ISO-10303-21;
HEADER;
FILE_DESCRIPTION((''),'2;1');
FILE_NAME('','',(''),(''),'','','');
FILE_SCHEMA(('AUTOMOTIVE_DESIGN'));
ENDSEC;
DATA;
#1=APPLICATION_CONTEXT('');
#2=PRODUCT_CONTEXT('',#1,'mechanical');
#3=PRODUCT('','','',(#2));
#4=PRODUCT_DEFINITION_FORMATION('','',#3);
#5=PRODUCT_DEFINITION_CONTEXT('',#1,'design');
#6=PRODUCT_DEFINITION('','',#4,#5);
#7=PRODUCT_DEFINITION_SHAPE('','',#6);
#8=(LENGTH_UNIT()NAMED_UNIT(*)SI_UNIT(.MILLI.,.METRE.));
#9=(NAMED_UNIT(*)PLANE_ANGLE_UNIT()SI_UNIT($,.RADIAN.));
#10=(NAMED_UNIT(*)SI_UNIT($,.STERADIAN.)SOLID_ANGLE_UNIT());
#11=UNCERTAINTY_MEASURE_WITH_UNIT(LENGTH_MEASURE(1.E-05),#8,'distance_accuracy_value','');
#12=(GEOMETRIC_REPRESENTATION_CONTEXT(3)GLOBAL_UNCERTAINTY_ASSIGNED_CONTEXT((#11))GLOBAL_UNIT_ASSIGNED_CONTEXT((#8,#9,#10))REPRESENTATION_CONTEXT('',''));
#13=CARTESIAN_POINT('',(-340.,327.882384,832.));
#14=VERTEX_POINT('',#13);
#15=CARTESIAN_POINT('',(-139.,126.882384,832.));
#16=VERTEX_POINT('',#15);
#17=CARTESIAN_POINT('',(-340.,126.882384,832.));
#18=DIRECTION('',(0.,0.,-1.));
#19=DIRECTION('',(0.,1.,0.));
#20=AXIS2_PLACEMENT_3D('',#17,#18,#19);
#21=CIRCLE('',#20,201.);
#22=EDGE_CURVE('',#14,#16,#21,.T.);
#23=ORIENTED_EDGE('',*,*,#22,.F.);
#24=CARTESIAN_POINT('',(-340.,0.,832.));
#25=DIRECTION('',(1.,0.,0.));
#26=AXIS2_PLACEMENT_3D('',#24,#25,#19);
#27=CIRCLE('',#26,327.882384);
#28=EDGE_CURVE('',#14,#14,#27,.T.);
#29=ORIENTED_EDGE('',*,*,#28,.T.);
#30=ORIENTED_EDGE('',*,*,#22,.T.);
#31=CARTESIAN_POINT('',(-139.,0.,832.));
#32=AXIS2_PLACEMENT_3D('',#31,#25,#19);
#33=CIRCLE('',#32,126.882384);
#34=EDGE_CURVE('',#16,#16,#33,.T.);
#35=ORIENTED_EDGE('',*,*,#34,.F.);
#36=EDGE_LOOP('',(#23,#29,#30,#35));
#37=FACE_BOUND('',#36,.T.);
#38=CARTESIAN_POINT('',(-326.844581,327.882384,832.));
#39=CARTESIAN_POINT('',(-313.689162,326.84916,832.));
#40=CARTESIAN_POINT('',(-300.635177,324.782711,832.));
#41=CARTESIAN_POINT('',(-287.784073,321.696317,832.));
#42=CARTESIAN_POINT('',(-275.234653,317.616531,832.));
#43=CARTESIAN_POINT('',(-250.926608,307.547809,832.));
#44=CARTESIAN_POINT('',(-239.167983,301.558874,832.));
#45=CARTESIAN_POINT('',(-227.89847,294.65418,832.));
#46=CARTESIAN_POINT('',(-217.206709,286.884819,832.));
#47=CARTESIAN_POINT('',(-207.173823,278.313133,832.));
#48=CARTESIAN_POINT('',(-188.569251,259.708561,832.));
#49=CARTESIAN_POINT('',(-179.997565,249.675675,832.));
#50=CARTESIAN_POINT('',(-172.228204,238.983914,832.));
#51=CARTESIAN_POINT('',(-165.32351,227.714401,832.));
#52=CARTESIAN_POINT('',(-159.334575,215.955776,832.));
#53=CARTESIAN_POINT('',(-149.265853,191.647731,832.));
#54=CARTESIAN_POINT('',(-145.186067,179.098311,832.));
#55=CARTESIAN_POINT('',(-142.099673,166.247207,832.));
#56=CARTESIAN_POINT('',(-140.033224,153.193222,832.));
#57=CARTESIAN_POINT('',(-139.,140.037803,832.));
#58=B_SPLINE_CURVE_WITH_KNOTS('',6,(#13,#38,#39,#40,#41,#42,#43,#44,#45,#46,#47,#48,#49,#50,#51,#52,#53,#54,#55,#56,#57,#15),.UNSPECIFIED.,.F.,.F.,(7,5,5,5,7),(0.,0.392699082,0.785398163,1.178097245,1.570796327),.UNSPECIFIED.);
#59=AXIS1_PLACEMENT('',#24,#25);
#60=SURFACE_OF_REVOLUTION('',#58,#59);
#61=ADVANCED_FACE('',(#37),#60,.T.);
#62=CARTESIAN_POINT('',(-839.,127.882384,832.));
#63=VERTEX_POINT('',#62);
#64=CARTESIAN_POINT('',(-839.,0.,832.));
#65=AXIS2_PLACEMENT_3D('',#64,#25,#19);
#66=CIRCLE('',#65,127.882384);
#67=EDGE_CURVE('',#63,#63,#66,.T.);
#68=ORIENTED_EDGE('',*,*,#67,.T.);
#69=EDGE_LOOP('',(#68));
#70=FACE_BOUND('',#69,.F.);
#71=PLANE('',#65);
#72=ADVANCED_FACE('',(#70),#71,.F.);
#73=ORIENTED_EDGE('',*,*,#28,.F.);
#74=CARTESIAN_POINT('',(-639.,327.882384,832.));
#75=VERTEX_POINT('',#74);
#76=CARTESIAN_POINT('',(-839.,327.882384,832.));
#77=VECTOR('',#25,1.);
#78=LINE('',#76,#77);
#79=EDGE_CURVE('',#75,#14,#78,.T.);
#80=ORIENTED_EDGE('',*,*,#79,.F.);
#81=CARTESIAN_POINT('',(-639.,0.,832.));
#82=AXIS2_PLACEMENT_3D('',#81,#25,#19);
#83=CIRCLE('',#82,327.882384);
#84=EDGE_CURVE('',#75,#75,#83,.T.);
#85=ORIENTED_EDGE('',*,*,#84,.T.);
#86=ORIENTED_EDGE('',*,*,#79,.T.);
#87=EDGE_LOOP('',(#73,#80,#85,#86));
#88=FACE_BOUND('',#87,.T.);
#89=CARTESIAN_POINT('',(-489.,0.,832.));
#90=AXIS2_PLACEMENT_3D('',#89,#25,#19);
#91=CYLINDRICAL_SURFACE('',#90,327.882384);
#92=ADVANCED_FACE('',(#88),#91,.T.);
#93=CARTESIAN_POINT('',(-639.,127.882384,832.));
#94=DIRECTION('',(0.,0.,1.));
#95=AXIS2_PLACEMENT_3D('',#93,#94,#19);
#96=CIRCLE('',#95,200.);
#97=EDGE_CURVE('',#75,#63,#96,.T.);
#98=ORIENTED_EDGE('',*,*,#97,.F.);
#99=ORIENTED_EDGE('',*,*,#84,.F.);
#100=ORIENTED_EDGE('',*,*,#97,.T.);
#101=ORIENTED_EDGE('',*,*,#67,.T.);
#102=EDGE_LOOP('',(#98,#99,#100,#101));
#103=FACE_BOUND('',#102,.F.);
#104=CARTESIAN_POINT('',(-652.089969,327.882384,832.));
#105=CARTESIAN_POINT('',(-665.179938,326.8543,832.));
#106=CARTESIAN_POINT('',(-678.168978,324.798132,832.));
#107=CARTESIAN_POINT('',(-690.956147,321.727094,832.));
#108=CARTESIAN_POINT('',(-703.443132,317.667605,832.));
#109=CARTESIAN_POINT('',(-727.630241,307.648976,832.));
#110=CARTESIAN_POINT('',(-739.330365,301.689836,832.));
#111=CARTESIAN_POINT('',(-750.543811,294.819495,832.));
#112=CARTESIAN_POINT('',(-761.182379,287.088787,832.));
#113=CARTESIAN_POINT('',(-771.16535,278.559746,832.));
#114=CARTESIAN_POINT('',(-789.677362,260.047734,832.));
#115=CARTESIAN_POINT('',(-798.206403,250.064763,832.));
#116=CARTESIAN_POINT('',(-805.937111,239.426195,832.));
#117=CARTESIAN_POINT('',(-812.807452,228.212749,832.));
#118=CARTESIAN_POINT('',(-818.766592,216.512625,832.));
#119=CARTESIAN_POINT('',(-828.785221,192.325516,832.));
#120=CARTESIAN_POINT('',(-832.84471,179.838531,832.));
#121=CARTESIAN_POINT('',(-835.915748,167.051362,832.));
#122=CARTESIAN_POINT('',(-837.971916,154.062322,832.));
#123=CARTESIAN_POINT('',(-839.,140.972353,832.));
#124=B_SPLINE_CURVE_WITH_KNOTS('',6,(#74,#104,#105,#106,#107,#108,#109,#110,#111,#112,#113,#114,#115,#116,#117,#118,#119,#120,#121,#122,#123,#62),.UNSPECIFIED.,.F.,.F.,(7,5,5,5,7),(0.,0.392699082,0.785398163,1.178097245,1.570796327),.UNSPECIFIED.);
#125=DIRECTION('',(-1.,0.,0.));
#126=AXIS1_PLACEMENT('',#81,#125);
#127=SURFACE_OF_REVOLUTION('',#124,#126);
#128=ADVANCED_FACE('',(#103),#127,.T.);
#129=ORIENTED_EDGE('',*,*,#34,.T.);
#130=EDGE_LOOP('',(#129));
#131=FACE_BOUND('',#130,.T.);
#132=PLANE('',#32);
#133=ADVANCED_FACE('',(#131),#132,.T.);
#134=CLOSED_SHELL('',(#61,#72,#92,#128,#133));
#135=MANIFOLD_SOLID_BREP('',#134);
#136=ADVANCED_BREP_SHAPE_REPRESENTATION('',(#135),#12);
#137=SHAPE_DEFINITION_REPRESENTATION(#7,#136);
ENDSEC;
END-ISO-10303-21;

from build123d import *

# Parameters (mm, degrees)
SKETCH004_R  = 327.882384
PAD003_DEPTH = 350
FILLET_R     = 200
FILLET001_R  = 201


with BuildPart() as part:
    # Sketch004 → Pad003 (new body, symmetric)
    with BuildSketch(Plane.YZ):
        Circle(SKETCH004_R)
    extrude(amount=PAD003_DEPTH, both=True)

    # Fillet
    fillet_edges = [part.edges().sort_by_distance(p)[0] for p in [
        (-350, -327.882384, 0),
    ]]
    fillet(fillet_edges, radius=FILLET_R)

    # Fillet001
    fillet001_edges = [part.edges().sort_by_distance(p)[0] for p in [
        (350, -327.882384, 0),
    ]]
    fillet(fillet001_edges, radius=FILLET001_R)


with BuildPart() as part_1:
    # Body003 placement: moved
    add(part.part.moved(Location((-489, 0, 832))))


solid = part_1.part
